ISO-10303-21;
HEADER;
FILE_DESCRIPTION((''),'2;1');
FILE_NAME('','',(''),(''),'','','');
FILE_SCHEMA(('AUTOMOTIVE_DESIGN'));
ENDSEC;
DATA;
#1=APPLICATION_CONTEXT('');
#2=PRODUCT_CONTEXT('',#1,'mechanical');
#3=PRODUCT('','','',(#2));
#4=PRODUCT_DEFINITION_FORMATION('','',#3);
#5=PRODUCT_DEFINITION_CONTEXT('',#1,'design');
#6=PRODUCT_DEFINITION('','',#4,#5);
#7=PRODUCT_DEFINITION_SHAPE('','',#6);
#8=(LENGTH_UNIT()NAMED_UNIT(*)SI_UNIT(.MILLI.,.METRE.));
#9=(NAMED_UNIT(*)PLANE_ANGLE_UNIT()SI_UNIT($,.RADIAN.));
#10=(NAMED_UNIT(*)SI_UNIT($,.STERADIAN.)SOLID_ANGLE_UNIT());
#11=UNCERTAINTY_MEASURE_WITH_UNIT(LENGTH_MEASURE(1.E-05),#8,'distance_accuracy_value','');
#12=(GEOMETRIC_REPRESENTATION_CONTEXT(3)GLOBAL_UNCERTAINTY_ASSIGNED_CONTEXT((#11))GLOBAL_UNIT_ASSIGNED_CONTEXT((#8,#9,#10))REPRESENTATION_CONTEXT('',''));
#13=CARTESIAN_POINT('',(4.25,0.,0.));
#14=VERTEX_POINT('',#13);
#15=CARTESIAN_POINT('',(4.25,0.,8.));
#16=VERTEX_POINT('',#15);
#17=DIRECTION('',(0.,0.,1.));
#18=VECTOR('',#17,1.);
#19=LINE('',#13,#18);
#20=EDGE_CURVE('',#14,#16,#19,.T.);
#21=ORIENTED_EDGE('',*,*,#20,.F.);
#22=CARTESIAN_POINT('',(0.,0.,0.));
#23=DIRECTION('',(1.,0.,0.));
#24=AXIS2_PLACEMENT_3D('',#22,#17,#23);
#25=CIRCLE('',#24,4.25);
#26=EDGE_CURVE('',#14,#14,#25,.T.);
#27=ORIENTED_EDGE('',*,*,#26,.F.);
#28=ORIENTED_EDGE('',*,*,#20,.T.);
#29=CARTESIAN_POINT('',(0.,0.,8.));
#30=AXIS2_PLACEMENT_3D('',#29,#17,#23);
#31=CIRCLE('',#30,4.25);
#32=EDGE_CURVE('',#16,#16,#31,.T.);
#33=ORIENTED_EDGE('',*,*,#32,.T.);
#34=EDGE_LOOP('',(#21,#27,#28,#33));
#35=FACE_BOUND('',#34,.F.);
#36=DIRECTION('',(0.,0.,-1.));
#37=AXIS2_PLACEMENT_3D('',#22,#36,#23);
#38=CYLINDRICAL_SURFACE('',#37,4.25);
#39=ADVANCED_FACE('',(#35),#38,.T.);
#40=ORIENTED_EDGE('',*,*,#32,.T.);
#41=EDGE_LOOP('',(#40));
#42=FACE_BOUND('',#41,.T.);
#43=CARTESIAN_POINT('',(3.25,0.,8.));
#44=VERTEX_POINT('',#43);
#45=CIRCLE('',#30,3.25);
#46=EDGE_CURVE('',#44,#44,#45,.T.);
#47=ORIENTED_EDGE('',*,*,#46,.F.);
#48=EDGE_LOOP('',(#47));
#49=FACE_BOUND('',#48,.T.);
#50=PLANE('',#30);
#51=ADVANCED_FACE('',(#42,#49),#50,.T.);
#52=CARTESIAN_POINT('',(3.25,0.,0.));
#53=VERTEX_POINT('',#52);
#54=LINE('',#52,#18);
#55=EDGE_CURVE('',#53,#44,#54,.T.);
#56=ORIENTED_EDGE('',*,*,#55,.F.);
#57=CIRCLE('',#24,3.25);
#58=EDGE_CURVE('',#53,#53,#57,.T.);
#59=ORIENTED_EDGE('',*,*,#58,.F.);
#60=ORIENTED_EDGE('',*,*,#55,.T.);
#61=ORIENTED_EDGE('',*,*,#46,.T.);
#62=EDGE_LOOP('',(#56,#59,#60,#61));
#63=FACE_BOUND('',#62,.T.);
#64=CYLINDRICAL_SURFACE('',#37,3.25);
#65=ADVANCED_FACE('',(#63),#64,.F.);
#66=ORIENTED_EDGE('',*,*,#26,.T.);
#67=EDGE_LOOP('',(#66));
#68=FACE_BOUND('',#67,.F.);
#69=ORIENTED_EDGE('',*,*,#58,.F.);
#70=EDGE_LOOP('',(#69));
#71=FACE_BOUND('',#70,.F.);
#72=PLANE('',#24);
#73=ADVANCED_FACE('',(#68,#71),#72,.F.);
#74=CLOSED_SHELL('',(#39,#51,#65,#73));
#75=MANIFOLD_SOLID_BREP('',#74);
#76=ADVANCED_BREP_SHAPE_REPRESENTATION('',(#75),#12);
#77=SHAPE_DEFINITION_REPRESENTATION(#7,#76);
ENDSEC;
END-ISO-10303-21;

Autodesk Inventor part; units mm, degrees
ref_plane "YZ Plane" through (0, 0, 0) normal (1, 0, 0) x (0, 1, 0)
ref_plane "XZ Plane" through (0, 0, 0) normal (0, 1, 0) x (-1, 0, 0)
ref_plane "XY Plane" through (0, 0, 0) normal (0, 0, 1) x (1, 0, 0)
sketch "Sketch1" plane through (0, 0, 0) normal (0, 0, 1) x (1, 0, 0)
  circle A0 centre (0, 0) radius 3.25
  circle A1 centre (0, 0) radius 4.25
  dimension "d0" = 6.5
  dimension "d1" = 8.5
extrude "Extrusion1" add sketch "Sketch1" along normal blind 8
properties part number "16 C - Bronze Bushing" material "Bronze, Soft Tin"
